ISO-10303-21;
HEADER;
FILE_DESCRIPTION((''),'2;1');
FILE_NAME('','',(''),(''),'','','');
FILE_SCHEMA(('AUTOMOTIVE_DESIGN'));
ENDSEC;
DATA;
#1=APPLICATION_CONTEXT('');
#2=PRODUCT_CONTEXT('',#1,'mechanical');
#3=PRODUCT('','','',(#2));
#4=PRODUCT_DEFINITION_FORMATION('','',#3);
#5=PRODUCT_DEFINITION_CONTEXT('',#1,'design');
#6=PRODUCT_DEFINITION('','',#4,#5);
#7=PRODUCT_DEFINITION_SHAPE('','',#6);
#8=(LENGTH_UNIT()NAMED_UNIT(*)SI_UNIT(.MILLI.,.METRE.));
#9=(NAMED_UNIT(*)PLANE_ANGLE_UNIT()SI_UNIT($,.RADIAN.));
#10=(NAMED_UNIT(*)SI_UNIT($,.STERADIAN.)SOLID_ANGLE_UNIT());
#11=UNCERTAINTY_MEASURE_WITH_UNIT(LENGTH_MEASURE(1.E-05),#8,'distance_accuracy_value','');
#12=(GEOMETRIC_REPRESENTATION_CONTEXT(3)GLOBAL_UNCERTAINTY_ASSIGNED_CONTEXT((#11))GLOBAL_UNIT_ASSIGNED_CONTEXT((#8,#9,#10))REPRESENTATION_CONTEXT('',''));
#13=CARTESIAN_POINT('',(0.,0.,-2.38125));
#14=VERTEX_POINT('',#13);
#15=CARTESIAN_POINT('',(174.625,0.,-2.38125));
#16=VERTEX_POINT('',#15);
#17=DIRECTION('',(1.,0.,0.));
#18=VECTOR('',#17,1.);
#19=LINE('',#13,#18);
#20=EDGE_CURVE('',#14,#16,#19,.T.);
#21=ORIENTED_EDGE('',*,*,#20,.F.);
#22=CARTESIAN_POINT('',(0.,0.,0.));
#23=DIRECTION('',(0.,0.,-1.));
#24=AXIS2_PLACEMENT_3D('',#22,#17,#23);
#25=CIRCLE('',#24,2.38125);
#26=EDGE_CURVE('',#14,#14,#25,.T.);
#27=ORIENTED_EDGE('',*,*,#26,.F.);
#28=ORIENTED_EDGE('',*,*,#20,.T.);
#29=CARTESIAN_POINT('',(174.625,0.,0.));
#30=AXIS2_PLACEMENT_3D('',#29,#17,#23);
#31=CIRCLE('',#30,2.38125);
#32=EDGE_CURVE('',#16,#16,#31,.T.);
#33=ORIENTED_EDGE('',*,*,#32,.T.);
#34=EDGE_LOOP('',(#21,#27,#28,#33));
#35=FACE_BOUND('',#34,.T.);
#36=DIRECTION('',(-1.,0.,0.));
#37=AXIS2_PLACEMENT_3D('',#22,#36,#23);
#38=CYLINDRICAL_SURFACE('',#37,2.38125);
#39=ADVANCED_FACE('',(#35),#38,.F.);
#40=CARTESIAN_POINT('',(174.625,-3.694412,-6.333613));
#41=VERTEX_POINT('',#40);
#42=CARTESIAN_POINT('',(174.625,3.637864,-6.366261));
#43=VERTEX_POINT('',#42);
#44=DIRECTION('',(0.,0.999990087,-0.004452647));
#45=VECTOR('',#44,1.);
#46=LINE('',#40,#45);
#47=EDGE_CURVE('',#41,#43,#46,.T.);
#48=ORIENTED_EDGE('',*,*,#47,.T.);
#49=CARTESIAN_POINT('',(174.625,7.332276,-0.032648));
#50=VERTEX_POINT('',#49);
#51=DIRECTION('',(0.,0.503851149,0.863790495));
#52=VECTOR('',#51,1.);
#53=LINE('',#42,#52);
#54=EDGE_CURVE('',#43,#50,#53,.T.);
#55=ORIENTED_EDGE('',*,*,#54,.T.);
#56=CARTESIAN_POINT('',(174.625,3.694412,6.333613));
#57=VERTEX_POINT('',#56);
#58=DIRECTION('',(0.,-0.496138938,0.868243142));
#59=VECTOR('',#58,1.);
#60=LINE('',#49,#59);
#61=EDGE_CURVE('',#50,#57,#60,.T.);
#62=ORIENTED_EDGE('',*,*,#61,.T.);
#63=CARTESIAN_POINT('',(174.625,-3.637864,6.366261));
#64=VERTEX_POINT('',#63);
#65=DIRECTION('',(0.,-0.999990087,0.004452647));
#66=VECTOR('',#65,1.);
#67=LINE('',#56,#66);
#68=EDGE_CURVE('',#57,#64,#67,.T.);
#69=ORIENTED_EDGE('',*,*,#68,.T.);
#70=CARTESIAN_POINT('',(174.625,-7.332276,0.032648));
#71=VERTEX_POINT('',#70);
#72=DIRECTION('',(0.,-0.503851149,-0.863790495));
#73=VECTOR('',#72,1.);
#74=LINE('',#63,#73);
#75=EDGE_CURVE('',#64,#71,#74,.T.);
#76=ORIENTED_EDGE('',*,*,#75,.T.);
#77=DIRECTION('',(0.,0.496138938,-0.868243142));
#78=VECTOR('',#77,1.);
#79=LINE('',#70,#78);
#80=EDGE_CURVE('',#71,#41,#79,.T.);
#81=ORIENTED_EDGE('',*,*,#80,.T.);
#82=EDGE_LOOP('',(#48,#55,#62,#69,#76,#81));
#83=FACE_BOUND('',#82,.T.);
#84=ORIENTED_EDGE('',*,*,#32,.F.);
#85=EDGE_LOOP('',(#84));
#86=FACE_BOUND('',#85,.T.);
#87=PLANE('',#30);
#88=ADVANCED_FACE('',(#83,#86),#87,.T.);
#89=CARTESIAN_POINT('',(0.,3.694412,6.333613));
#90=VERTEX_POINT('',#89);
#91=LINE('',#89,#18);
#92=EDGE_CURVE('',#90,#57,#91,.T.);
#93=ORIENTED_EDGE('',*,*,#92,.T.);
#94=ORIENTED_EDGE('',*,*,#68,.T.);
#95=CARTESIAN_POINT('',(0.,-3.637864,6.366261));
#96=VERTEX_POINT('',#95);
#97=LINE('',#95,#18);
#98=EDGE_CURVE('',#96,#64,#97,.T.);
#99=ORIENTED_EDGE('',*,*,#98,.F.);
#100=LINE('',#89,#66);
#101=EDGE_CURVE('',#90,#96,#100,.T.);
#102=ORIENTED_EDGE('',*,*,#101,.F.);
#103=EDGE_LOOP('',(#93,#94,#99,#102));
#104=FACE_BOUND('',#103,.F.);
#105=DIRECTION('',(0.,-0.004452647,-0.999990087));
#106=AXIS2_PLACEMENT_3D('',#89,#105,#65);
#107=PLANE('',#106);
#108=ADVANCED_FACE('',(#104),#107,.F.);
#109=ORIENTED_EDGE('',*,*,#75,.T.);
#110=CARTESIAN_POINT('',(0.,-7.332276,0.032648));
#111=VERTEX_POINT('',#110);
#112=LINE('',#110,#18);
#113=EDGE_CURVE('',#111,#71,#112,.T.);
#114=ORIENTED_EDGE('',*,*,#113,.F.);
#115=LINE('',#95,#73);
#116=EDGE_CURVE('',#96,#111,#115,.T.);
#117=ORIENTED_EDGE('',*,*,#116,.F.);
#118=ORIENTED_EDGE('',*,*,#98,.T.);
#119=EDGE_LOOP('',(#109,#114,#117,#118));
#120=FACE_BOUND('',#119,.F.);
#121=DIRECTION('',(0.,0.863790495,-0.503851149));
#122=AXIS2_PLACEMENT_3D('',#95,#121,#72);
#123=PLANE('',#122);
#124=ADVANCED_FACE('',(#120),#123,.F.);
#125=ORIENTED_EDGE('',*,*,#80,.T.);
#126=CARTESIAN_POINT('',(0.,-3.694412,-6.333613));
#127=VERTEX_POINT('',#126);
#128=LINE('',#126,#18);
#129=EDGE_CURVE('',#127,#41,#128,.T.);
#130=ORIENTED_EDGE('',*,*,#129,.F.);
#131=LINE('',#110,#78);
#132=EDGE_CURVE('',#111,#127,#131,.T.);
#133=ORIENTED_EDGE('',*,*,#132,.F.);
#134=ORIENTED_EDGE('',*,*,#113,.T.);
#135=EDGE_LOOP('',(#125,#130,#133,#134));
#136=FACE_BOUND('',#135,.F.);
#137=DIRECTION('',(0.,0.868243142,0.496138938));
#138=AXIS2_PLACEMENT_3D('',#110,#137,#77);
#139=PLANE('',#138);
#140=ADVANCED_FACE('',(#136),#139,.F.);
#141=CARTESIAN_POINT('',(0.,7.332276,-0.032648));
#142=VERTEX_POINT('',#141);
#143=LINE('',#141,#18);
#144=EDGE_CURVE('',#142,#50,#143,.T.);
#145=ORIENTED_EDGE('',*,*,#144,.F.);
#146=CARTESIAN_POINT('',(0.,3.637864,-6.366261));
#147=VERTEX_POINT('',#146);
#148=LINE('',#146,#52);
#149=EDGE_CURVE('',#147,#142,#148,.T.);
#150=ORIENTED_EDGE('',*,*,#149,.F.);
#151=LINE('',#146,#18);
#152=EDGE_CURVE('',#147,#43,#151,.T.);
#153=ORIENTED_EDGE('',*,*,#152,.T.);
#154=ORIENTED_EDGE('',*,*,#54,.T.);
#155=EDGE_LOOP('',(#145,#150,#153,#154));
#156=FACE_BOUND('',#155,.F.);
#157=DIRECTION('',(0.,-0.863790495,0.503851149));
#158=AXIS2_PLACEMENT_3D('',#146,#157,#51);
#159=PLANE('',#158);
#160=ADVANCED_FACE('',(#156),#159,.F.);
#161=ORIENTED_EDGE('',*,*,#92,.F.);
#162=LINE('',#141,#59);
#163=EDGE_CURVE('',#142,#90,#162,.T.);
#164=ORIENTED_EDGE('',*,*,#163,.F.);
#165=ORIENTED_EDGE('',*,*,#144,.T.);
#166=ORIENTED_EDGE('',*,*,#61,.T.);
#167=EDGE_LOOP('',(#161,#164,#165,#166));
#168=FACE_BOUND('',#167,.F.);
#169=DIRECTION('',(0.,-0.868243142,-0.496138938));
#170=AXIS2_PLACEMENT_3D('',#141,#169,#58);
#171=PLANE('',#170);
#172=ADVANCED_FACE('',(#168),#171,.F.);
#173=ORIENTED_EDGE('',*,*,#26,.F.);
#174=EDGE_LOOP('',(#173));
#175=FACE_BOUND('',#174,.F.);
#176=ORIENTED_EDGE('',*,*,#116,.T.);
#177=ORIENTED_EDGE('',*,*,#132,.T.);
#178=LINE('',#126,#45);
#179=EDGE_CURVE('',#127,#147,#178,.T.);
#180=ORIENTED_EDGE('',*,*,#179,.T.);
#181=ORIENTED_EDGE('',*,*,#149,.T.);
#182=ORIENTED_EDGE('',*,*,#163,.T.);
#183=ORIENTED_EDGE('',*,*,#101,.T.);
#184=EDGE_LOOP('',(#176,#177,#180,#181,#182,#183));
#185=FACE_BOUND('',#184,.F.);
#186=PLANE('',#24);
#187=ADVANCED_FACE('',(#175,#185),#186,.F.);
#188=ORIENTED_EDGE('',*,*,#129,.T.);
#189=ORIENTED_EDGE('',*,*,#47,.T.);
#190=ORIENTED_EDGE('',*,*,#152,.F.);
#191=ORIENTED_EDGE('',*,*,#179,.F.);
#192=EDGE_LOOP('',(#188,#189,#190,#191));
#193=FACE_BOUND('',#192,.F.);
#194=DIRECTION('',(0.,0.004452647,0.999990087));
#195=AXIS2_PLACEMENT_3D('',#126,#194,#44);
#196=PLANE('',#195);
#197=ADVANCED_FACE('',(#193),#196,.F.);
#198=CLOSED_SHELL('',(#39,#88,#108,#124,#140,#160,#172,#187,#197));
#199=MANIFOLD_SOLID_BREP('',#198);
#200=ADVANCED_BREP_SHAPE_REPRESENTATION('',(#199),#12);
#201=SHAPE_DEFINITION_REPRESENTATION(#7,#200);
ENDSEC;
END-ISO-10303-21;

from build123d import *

# Parameters (mm, degrees)
SKETCH1_R           = 2.38125
BOSS_EXTRUDE1_DEPTH = 174.625


with BuildPart() as part:
    # Sketch1 → Boss-Extrude1 (new body)
    with BuildSketch(Plane(origin=(0, 0, 0), x_dir=(0, 0, -1), z_dir=(1, 0, 0))):
        Polygon((6.36626123, 3.63786356), (0.032648357, 7.332275733), (-6.333612874, 3.694412172), (-6.36626123, -3.63786356), (-0.032648357, -7.332275733), (6.333612874, -3.694412172), align=None)
        Circle(SKETCH1_R, mode=Mode.SUBTRACT)
    extrude(amount=BOSS_EXTRUDE1_DEPTH)


solid = part.part
